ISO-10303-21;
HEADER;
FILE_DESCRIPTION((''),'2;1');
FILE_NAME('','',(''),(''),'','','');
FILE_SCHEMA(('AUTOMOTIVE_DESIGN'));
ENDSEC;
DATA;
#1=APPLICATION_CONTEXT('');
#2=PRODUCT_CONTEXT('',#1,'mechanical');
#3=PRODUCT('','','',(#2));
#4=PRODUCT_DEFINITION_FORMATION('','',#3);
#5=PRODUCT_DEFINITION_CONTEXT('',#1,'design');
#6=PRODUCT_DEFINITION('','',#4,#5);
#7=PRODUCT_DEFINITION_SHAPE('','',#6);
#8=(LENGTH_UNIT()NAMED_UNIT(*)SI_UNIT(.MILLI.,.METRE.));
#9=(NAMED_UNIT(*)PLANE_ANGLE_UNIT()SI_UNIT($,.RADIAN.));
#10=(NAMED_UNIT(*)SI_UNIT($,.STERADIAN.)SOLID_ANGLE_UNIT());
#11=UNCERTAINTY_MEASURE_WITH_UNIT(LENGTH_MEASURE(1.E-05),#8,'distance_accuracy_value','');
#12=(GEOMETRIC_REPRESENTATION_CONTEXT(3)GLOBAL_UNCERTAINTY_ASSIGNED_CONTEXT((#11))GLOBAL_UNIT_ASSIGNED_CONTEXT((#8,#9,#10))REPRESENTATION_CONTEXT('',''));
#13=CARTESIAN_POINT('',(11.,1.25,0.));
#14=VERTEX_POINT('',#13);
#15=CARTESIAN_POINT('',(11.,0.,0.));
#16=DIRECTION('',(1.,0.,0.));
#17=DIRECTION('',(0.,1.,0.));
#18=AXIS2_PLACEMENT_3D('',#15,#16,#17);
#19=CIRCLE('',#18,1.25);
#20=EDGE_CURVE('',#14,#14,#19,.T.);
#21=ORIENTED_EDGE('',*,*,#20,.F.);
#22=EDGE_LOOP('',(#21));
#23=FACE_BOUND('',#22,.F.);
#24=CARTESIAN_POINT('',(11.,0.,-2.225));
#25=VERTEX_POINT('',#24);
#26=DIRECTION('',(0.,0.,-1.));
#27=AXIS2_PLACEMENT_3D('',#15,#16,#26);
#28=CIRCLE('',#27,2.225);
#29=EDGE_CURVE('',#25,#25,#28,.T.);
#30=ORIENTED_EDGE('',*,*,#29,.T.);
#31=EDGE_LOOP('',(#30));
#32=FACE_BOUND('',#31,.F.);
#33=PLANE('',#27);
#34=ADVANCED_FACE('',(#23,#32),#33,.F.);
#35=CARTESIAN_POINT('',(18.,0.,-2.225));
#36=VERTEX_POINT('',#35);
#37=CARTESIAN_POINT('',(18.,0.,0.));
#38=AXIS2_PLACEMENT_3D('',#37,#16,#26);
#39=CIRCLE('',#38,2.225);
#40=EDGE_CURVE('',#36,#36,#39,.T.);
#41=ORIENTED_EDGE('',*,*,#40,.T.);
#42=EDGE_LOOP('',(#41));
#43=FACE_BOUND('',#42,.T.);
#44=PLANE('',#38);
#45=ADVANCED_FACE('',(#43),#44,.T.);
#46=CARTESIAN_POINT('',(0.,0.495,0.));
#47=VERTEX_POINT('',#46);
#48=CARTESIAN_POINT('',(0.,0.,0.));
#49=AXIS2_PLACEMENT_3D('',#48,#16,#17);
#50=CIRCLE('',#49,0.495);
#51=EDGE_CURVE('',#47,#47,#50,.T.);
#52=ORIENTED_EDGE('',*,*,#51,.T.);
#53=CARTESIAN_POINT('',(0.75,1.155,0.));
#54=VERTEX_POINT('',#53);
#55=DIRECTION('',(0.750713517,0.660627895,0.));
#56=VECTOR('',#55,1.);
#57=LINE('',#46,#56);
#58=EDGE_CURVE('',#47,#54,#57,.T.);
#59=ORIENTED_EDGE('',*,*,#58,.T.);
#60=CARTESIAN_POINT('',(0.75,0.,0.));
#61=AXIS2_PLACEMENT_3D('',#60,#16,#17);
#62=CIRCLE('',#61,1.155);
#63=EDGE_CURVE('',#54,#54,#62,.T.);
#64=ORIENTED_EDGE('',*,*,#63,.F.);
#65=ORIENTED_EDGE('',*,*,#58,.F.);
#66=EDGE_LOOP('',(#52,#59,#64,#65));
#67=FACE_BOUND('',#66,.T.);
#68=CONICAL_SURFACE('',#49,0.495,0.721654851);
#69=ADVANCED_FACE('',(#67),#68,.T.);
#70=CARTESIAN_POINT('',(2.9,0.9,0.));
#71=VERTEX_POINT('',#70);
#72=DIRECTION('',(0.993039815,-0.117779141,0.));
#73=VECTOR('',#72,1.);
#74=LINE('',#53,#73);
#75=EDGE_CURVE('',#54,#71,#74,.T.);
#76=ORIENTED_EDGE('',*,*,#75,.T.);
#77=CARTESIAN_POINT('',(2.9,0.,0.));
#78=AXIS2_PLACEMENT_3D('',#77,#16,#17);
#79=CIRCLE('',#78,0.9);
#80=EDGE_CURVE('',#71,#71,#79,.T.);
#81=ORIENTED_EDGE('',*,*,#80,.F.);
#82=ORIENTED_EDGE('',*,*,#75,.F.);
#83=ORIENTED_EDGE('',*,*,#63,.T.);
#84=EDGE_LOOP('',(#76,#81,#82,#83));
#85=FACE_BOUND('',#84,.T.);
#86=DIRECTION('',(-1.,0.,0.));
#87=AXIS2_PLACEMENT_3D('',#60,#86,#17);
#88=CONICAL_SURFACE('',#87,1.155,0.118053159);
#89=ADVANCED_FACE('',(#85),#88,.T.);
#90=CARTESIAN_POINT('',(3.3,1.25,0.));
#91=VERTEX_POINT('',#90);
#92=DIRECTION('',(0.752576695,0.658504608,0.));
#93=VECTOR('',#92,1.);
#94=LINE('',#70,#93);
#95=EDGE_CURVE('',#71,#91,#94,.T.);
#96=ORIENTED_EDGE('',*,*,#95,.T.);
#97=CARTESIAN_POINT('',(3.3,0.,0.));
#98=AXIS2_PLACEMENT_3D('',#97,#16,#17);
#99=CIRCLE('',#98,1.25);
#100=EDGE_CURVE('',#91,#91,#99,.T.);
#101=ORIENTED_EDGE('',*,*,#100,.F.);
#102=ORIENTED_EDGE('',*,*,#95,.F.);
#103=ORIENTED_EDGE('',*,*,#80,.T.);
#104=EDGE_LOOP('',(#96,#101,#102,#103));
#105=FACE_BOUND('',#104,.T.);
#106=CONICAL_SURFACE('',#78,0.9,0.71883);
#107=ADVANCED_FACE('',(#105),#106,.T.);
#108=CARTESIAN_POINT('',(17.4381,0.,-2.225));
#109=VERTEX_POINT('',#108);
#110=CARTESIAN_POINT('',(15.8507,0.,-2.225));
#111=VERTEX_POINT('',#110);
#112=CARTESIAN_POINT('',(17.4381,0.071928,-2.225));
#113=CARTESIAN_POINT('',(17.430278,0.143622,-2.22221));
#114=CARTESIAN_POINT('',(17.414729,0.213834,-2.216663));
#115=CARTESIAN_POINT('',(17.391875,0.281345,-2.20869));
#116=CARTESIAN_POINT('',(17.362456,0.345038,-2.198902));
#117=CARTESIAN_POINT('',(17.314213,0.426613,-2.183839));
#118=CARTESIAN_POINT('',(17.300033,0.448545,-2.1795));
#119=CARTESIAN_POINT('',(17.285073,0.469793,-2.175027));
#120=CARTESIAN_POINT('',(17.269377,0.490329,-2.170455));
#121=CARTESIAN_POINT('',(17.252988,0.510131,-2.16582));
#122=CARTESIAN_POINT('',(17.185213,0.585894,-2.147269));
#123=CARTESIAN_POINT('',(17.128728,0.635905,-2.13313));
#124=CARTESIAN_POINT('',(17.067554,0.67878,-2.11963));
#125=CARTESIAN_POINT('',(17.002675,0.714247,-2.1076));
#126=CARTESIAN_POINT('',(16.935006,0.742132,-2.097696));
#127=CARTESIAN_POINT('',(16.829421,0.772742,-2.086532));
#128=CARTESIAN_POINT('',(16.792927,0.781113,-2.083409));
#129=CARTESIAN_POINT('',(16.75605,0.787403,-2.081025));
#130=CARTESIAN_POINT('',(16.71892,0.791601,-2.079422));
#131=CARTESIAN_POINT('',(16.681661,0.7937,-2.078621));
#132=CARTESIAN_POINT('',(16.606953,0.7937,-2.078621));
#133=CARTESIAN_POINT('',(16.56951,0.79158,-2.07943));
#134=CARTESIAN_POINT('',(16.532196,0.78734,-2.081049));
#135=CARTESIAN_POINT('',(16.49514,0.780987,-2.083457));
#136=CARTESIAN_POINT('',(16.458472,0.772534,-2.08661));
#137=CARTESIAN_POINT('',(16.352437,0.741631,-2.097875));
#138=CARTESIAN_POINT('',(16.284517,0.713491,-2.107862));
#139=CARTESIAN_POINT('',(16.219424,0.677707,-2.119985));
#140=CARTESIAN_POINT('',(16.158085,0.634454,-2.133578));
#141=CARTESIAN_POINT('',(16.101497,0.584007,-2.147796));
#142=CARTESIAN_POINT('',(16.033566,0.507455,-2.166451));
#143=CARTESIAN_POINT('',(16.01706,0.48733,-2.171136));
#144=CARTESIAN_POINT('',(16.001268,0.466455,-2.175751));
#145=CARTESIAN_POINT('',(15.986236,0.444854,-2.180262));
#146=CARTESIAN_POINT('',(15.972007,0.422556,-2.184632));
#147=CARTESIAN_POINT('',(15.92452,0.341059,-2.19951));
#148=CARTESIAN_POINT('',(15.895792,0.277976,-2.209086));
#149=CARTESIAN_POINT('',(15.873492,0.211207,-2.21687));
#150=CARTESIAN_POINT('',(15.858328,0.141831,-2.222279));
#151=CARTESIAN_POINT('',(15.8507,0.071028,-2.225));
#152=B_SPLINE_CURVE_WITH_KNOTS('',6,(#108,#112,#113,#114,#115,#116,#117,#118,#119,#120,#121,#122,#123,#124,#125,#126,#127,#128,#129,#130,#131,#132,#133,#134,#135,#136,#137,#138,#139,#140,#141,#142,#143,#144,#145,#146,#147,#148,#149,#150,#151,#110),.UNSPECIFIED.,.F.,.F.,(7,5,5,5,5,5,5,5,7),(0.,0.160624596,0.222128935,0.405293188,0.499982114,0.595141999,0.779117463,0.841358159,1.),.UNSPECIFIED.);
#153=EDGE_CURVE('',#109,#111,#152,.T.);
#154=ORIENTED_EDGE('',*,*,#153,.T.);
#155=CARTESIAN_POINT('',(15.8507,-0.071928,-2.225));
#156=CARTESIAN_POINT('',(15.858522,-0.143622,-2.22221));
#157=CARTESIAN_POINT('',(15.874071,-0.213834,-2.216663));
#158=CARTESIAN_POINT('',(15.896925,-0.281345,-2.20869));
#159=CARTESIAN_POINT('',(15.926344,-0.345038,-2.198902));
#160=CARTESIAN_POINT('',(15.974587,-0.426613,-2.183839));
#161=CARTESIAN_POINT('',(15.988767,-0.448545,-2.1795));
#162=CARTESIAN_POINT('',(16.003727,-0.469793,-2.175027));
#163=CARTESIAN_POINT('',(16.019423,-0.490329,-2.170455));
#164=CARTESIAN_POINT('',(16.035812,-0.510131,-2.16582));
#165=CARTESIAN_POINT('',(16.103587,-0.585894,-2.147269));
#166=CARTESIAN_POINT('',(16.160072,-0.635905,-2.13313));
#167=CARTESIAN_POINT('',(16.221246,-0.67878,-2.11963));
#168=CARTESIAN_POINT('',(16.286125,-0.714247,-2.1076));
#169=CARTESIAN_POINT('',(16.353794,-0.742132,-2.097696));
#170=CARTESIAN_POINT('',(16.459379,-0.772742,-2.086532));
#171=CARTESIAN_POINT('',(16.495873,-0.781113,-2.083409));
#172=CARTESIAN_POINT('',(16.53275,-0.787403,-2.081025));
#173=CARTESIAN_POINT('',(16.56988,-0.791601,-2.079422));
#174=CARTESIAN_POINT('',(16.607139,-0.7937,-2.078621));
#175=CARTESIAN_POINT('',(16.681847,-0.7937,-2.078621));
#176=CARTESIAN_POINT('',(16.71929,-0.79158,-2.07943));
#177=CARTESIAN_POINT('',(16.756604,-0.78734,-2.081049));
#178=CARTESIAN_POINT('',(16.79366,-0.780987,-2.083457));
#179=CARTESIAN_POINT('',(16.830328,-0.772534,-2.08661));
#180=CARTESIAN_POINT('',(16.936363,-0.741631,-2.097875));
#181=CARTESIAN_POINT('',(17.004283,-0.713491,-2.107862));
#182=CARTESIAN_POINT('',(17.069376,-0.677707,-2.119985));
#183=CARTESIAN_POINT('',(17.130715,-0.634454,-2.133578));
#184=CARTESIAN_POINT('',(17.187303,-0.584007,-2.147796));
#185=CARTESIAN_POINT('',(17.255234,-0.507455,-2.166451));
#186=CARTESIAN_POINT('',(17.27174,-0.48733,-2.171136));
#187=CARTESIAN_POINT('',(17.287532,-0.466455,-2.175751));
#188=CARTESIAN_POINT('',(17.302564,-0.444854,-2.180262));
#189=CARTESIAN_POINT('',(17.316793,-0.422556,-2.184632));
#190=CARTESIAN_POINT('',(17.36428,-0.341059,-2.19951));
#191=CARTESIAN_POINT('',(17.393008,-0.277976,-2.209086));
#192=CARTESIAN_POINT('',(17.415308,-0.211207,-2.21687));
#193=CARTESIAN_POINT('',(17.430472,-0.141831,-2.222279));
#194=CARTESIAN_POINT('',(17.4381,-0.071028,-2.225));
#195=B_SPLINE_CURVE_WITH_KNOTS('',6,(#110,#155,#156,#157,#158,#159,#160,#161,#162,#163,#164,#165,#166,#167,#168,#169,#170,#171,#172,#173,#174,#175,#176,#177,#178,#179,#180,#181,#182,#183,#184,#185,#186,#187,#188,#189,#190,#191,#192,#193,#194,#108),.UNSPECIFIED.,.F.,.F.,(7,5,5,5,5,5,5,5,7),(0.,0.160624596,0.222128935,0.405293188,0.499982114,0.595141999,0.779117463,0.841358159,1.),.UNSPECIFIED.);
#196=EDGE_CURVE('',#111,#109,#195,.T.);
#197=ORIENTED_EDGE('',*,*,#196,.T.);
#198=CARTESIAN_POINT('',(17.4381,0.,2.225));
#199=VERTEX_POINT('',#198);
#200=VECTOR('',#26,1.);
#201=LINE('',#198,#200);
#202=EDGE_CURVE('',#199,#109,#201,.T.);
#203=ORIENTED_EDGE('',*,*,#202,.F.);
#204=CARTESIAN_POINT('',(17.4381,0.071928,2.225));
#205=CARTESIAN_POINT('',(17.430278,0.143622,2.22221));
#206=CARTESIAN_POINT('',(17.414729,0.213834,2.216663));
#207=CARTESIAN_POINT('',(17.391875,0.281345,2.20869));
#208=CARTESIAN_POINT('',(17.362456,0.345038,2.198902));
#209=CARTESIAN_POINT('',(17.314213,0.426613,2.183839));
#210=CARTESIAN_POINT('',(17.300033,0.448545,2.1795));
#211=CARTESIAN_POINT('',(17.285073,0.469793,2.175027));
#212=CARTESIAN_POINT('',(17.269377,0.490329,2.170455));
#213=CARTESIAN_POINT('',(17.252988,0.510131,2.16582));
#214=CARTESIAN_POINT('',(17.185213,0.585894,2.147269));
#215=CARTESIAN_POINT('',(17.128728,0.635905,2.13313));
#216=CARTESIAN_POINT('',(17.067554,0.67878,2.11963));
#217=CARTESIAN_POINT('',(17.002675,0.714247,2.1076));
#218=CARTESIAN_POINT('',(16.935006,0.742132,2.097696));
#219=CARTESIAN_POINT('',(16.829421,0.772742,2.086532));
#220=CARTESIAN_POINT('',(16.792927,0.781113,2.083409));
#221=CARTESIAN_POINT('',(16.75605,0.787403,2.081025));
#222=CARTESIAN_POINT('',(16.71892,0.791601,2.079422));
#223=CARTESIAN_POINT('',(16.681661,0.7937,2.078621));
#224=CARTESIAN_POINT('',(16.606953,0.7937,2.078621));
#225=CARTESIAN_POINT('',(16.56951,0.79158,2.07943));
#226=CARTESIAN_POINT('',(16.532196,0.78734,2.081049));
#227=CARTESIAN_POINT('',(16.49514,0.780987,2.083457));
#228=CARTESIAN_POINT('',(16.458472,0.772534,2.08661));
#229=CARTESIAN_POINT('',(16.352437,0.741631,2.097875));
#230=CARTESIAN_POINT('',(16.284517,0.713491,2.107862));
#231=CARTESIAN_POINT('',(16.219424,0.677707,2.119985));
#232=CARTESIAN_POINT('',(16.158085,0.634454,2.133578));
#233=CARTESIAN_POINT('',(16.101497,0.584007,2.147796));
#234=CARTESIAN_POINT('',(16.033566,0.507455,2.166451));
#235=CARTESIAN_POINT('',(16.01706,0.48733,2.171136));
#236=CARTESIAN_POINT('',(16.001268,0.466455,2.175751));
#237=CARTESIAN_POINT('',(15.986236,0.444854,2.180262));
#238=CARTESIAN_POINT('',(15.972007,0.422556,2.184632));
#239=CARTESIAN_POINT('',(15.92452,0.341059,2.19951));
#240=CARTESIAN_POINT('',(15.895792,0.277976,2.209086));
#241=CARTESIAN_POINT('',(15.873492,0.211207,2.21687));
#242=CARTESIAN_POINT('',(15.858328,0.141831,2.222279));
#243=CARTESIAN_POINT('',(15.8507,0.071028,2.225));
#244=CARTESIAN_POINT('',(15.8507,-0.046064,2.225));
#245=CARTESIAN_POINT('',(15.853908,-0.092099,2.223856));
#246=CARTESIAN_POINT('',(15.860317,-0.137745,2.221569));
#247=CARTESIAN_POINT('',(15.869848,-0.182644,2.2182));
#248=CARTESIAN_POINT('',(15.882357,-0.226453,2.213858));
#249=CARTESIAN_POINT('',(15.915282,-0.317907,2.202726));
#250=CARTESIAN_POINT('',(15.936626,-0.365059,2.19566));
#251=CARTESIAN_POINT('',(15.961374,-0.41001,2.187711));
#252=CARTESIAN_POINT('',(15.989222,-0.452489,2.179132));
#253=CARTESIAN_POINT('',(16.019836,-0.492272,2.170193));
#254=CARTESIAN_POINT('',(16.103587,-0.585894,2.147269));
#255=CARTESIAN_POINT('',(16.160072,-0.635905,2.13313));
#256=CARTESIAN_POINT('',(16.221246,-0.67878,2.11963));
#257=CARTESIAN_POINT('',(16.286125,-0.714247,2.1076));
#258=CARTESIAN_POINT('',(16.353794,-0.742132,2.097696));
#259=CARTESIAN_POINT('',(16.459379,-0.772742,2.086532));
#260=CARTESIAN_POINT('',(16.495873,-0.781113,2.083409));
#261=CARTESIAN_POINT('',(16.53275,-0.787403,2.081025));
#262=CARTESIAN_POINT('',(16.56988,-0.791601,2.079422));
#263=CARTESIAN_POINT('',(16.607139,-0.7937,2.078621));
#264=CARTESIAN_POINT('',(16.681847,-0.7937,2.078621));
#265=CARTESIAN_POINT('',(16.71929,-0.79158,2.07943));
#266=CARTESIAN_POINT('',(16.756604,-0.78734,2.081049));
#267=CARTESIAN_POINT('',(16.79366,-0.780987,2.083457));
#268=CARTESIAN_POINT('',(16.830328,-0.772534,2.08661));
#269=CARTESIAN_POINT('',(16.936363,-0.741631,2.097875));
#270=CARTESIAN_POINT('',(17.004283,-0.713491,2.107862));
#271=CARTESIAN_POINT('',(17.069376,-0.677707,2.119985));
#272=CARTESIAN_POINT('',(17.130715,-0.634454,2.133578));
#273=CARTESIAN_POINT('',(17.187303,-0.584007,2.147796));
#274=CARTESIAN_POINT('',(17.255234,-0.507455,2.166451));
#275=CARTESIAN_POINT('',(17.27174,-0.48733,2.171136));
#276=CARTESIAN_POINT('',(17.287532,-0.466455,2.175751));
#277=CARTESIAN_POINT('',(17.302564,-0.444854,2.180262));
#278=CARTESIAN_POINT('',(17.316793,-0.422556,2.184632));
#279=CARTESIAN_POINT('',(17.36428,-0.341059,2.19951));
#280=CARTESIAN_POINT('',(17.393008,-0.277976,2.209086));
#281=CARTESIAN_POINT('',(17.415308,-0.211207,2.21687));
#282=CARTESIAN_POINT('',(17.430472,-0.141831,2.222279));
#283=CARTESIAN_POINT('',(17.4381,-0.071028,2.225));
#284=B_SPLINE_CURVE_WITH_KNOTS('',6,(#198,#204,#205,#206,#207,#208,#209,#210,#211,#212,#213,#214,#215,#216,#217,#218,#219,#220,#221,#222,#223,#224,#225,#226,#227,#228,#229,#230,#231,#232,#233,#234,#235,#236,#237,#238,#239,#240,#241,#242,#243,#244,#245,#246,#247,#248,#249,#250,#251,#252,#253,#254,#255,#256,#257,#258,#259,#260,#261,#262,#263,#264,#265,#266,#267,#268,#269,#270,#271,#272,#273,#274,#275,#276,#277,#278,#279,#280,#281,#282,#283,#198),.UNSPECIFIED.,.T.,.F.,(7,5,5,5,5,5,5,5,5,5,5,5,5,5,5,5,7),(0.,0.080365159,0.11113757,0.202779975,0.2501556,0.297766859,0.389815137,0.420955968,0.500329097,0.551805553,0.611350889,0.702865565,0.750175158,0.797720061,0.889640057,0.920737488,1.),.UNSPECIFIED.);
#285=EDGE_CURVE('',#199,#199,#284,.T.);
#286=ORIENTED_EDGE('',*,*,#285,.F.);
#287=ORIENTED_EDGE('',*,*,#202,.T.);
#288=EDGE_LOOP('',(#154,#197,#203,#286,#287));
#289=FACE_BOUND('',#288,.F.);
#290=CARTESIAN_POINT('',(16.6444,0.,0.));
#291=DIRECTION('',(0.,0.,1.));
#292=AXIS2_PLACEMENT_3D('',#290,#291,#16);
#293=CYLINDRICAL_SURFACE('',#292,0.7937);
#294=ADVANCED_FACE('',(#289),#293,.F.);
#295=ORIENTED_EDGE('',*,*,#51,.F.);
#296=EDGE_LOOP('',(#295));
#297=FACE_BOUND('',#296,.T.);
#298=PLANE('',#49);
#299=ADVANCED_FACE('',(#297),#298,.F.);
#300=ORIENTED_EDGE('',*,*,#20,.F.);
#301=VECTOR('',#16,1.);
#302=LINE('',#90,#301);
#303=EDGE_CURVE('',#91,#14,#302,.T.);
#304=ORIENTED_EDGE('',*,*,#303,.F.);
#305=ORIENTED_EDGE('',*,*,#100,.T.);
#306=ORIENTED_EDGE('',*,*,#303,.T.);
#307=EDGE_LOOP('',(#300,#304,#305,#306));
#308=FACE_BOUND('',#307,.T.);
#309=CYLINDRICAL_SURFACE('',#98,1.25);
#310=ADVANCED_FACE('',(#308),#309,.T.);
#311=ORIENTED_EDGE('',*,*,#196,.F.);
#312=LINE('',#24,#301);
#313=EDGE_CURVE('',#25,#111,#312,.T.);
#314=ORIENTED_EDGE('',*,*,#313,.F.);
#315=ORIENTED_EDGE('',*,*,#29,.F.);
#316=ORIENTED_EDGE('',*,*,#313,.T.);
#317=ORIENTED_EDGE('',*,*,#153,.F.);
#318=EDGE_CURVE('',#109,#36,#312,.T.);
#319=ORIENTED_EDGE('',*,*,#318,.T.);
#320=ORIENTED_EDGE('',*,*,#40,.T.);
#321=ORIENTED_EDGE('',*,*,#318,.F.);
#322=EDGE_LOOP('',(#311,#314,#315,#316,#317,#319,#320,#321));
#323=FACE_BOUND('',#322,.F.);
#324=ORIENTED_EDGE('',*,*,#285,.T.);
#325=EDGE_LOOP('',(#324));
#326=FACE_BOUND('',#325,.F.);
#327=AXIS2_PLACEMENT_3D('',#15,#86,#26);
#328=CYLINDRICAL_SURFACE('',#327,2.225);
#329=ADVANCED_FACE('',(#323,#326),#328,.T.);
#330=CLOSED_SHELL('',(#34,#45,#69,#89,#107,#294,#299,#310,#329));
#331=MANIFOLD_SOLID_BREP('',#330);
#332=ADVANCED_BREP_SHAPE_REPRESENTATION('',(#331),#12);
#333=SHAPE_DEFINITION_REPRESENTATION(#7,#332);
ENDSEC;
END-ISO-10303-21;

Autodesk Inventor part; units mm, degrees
ref_plane "YZ Plane" through (0, 0, 0) normal (1, 0, 0) x (0, 1, 0)
ref_plane "XZ Plane" through (0, 0, 0) normal (0, 1, 0) x (-1, 0, 0)
ref_plane "XY Plane" through (0, 0, 0) normal (0, 0, 1) x (1, 0, 0)
sketch "Sketch1" plane through (0, 0, 0) normal (0, 0, 1) x (1, 0, 0)
  line L0 (0, 0) -> (25.9627, 0)
  line L1 (0, 0) -> (0, 0.495)
  line L2 (0, 0.495) -> (0.75, 1.155)
  line L3 (0.75, 1.155) -> (2.9, 0.9)
  line L4 (2.9, 0.9) -> (3.3, 1.25)
  line L5 (3.3, 1.25) -> (11, 1.25)
  line L6 (11, 1.25) -> (11, 0)
  line L7 (11, 0) -> (0, 0)
  dimension "d0" = 0.99
  dimension "d1" = 2.5
  dimension "d2" = 2.31
  dimension "d3" = 0.75
  dimension "d4" = 1.8
  dimension "d5" = 2.9
  dimension "d6" = 3.3
  dimension "d7" = 11
revolve "Revolution1" add sketch "Sketch1" angle 360 about axis through (0, 0, 0) along (1, 0, 0)
sketch "Sketch2" plane through (11, 0, 0) normal (1, 0, 0) x (0, 0, -1)
  circle A0 centre (0, 0) radius 1.25 projected
  circle A1 centre (0, 0) radius 2.225
  dimension "d9" = 4.45
extrude "Extrusion1" add sketch "Sketch2" along normal blind 7 contours A0 | A1
sketch "Sketch3" plane through (0, 0, 0) normal (0, 0, 1) x (1, 0, 0)
  circle A0 centre (16.6444, 0) radius 0.7937
  line L0 (18, 2.225) -> (18, -2.225) projected
  point P0 (0, 0)
  dimension "d12" = 1.5875
  dimension "d13" = 1.3556
extrude "Extrusion2" cut sketch "Sketch3" along normal through all both and the other way through all
properties part number "safe_rbf"
